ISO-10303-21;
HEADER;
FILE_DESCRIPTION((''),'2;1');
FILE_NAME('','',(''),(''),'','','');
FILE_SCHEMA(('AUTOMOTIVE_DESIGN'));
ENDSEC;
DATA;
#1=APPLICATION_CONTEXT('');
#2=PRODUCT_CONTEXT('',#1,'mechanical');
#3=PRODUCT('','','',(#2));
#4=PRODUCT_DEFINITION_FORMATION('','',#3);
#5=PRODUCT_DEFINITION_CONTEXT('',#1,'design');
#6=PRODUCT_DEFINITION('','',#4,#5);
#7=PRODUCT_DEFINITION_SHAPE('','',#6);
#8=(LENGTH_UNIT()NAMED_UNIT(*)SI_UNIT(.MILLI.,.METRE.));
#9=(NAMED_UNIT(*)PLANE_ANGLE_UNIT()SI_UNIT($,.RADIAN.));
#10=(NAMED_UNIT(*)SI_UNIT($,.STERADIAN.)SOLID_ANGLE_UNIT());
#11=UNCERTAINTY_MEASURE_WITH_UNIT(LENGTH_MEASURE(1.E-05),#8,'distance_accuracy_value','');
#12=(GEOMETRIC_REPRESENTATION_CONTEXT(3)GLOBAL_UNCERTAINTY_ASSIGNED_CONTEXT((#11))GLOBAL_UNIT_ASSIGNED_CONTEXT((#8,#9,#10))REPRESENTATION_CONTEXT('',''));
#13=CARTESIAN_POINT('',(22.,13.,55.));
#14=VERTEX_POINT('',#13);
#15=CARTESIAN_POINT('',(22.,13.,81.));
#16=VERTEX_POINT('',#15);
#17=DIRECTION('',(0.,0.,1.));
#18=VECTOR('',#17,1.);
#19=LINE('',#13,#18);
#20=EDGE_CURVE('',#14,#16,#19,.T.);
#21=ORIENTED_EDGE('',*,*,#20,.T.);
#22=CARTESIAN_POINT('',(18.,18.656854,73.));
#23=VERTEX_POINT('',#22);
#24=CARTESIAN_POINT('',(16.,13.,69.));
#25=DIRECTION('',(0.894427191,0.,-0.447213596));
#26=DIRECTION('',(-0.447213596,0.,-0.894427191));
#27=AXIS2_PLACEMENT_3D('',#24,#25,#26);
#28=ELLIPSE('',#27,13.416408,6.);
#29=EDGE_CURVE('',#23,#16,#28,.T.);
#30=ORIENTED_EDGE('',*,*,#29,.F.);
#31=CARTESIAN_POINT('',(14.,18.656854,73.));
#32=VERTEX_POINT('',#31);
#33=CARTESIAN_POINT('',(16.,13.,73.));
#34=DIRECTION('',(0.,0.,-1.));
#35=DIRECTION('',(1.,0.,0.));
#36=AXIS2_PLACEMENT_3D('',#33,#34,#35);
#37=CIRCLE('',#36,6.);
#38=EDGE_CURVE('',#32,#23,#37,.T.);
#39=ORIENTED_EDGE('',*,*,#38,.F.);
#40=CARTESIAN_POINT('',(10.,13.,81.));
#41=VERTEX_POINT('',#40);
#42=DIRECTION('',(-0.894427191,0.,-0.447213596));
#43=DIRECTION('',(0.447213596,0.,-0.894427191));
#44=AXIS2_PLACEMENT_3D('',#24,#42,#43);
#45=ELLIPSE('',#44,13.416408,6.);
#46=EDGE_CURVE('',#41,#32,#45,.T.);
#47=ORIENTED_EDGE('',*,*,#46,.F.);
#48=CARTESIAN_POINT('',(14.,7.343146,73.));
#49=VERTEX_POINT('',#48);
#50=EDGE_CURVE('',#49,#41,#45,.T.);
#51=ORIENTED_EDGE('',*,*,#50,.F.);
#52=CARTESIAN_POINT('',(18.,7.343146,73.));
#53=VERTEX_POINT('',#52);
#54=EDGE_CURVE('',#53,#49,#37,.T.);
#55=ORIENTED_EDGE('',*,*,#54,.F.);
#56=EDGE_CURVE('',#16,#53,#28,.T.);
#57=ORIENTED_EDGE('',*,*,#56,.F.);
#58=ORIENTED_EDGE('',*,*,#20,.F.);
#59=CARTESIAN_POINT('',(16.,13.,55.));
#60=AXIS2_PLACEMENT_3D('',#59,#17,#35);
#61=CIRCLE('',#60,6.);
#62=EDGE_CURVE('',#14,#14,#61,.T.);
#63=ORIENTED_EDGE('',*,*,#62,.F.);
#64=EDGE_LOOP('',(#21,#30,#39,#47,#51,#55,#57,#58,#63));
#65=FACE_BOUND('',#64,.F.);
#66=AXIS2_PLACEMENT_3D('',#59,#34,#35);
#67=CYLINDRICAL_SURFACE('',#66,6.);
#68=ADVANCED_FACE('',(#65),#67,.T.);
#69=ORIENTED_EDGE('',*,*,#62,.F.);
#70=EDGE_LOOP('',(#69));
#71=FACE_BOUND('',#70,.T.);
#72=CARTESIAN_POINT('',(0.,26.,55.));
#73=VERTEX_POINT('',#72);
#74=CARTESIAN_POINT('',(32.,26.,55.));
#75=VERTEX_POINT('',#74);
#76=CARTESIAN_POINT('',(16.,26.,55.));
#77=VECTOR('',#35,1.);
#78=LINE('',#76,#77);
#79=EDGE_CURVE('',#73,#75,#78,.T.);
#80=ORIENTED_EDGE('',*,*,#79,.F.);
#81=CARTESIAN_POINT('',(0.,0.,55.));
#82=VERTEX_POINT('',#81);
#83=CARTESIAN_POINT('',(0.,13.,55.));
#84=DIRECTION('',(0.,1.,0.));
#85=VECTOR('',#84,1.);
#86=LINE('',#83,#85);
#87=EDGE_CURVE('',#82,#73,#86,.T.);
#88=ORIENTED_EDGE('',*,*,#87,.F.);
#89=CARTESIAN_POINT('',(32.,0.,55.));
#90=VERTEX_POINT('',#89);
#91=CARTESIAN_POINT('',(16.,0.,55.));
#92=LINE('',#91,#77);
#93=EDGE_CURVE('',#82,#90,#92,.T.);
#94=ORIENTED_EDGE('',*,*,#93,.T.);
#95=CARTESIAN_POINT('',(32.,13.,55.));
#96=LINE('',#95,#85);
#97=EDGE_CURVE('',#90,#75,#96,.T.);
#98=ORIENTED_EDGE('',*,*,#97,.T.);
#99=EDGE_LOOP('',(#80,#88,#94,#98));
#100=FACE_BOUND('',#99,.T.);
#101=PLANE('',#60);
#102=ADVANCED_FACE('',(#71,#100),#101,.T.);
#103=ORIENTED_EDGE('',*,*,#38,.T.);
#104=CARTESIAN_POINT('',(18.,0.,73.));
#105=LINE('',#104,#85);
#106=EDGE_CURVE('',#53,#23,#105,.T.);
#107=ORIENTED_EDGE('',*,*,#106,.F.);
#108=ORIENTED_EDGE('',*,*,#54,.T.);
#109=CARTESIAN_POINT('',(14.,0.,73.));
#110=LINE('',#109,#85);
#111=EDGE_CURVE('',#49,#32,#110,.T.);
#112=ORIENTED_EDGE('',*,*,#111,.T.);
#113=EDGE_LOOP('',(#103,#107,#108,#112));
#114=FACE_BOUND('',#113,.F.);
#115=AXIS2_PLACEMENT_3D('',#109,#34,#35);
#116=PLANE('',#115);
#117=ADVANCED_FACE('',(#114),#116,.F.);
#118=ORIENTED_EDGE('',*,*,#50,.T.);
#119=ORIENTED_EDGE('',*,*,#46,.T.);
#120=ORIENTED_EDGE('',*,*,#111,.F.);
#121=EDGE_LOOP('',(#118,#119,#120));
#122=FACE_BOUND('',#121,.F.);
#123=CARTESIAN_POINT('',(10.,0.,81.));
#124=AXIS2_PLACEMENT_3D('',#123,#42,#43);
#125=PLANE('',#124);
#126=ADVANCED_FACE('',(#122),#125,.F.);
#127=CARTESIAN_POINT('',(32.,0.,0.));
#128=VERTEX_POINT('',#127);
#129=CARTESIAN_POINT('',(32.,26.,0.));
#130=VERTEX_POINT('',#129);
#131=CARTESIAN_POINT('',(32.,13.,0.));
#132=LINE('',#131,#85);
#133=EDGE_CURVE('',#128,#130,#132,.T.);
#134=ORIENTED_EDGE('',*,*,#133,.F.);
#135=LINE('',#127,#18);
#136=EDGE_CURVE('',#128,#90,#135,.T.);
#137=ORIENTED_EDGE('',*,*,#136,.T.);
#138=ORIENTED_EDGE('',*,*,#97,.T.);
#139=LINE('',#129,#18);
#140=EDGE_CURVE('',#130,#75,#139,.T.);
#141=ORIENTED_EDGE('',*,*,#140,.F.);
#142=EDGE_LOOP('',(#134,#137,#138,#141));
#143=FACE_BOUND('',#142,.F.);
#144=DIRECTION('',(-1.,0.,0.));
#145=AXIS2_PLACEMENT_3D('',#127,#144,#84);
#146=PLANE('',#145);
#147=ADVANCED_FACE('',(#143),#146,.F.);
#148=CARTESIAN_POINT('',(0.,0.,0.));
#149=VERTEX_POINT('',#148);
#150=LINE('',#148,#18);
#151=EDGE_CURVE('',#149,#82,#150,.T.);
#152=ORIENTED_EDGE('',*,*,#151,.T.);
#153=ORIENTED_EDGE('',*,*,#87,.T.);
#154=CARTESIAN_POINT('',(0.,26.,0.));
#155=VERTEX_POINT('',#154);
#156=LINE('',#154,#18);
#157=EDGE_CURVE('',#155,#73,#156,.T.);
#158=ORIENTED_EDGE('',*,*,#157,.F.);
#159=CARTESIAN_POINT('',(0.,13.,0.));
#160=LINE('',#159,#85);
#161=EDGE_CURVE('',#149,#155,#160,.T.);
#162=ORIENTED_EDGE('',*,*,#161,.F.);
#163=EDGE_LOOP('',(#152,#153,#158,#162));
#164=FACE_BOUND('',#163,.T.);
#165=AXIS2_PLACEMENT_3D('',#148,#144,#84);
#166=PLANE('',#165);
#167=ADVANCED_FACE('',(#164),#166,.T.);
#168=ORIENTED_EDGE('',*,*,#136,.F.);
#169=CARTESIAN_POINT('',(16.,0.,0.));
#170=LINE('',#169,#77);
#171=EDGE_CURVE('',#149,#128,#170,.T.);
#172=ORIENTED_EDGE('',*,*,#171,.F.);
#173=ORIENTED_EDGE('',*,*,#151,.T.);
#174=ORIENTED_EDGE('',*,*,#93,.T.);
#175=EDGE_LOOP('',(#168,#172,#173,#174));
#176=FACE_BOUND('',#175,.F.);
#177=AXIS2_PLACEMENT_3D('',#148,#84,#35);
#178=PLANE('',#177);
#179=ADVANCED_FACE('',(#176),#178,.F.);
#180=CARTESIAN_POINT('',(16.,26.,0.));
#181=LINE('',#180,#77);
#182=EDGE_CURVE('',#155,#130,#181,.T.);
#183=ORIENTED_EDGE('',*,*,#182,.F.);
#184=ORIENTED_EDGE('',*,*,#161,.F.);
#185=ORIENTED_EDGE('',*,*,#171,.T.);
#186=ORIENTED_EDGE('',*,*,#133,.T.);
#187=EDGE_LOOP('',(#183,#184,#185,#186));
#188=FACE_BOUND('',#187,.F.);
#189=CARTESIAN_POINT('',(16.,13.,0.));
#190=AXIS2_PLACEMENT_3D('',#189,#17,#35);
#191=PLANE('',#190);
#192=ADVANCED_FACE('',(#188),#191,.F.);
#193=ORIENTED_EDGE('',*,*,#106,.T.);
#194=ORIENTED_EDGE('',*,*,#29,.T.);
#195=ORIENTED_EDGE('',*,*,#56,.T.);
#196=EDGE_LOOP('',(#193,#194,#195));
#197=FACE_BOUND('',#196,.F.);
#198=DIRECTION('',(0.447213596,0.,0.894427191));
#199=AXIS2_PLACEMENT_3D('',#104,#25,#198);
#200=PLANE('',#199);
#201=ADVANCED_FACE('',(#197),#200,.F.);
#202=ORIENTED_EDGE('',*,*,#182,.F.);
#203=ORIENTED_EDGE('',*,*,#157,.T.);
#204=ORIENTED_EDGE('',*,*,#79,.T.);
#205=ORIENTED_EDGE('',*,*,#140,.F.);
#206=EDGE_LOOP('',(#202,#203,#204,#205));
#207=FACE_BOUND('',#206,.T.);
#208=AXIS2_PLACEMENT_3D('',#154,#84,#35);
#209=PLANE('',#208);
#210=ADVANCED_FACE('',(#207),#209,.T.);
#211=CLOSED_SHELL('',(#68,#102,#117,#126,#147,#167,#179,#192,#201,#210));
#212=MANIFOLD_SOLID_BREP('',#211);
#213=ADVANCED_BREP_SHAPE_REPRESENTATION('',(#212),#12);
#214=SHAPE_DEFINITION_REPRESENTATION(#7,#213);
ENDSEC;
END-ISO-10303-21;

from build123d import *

# Parameters (mm, degrees)
F0_W     = 32
F0_H     = 26
F1_DEPTH = 55
F2_R     = 6
F3_DEPTH = 26
F5_DEPTH = 25


with BuildPart() as f1:
    # F0 (on Top) → F1 (new body)
    with BuildSketch(Plane.XY):
        with Locations((16, 13)):
            Rectangle(F0_W, F0_H)
    extrude(amount=F1_DEPTH)

    # F2 (on face) → F3 (join)
    with BuildSketch(Plane.XY.offset(55)):
        with Locations((16, 13)):
            Circle(F2_R)
    extrude(amount=F3_DEPTH)

    # F4 (on face) → F5 (cut)
    with BuildSketch(Plane.XZ):
        Polygon((22, 81), (10, 81), (14, 73), (18, 73), align=None)
    extrude(amount=-F5_DEPTH, mode=Mode.SUBTRACT)


solid = f1.part
